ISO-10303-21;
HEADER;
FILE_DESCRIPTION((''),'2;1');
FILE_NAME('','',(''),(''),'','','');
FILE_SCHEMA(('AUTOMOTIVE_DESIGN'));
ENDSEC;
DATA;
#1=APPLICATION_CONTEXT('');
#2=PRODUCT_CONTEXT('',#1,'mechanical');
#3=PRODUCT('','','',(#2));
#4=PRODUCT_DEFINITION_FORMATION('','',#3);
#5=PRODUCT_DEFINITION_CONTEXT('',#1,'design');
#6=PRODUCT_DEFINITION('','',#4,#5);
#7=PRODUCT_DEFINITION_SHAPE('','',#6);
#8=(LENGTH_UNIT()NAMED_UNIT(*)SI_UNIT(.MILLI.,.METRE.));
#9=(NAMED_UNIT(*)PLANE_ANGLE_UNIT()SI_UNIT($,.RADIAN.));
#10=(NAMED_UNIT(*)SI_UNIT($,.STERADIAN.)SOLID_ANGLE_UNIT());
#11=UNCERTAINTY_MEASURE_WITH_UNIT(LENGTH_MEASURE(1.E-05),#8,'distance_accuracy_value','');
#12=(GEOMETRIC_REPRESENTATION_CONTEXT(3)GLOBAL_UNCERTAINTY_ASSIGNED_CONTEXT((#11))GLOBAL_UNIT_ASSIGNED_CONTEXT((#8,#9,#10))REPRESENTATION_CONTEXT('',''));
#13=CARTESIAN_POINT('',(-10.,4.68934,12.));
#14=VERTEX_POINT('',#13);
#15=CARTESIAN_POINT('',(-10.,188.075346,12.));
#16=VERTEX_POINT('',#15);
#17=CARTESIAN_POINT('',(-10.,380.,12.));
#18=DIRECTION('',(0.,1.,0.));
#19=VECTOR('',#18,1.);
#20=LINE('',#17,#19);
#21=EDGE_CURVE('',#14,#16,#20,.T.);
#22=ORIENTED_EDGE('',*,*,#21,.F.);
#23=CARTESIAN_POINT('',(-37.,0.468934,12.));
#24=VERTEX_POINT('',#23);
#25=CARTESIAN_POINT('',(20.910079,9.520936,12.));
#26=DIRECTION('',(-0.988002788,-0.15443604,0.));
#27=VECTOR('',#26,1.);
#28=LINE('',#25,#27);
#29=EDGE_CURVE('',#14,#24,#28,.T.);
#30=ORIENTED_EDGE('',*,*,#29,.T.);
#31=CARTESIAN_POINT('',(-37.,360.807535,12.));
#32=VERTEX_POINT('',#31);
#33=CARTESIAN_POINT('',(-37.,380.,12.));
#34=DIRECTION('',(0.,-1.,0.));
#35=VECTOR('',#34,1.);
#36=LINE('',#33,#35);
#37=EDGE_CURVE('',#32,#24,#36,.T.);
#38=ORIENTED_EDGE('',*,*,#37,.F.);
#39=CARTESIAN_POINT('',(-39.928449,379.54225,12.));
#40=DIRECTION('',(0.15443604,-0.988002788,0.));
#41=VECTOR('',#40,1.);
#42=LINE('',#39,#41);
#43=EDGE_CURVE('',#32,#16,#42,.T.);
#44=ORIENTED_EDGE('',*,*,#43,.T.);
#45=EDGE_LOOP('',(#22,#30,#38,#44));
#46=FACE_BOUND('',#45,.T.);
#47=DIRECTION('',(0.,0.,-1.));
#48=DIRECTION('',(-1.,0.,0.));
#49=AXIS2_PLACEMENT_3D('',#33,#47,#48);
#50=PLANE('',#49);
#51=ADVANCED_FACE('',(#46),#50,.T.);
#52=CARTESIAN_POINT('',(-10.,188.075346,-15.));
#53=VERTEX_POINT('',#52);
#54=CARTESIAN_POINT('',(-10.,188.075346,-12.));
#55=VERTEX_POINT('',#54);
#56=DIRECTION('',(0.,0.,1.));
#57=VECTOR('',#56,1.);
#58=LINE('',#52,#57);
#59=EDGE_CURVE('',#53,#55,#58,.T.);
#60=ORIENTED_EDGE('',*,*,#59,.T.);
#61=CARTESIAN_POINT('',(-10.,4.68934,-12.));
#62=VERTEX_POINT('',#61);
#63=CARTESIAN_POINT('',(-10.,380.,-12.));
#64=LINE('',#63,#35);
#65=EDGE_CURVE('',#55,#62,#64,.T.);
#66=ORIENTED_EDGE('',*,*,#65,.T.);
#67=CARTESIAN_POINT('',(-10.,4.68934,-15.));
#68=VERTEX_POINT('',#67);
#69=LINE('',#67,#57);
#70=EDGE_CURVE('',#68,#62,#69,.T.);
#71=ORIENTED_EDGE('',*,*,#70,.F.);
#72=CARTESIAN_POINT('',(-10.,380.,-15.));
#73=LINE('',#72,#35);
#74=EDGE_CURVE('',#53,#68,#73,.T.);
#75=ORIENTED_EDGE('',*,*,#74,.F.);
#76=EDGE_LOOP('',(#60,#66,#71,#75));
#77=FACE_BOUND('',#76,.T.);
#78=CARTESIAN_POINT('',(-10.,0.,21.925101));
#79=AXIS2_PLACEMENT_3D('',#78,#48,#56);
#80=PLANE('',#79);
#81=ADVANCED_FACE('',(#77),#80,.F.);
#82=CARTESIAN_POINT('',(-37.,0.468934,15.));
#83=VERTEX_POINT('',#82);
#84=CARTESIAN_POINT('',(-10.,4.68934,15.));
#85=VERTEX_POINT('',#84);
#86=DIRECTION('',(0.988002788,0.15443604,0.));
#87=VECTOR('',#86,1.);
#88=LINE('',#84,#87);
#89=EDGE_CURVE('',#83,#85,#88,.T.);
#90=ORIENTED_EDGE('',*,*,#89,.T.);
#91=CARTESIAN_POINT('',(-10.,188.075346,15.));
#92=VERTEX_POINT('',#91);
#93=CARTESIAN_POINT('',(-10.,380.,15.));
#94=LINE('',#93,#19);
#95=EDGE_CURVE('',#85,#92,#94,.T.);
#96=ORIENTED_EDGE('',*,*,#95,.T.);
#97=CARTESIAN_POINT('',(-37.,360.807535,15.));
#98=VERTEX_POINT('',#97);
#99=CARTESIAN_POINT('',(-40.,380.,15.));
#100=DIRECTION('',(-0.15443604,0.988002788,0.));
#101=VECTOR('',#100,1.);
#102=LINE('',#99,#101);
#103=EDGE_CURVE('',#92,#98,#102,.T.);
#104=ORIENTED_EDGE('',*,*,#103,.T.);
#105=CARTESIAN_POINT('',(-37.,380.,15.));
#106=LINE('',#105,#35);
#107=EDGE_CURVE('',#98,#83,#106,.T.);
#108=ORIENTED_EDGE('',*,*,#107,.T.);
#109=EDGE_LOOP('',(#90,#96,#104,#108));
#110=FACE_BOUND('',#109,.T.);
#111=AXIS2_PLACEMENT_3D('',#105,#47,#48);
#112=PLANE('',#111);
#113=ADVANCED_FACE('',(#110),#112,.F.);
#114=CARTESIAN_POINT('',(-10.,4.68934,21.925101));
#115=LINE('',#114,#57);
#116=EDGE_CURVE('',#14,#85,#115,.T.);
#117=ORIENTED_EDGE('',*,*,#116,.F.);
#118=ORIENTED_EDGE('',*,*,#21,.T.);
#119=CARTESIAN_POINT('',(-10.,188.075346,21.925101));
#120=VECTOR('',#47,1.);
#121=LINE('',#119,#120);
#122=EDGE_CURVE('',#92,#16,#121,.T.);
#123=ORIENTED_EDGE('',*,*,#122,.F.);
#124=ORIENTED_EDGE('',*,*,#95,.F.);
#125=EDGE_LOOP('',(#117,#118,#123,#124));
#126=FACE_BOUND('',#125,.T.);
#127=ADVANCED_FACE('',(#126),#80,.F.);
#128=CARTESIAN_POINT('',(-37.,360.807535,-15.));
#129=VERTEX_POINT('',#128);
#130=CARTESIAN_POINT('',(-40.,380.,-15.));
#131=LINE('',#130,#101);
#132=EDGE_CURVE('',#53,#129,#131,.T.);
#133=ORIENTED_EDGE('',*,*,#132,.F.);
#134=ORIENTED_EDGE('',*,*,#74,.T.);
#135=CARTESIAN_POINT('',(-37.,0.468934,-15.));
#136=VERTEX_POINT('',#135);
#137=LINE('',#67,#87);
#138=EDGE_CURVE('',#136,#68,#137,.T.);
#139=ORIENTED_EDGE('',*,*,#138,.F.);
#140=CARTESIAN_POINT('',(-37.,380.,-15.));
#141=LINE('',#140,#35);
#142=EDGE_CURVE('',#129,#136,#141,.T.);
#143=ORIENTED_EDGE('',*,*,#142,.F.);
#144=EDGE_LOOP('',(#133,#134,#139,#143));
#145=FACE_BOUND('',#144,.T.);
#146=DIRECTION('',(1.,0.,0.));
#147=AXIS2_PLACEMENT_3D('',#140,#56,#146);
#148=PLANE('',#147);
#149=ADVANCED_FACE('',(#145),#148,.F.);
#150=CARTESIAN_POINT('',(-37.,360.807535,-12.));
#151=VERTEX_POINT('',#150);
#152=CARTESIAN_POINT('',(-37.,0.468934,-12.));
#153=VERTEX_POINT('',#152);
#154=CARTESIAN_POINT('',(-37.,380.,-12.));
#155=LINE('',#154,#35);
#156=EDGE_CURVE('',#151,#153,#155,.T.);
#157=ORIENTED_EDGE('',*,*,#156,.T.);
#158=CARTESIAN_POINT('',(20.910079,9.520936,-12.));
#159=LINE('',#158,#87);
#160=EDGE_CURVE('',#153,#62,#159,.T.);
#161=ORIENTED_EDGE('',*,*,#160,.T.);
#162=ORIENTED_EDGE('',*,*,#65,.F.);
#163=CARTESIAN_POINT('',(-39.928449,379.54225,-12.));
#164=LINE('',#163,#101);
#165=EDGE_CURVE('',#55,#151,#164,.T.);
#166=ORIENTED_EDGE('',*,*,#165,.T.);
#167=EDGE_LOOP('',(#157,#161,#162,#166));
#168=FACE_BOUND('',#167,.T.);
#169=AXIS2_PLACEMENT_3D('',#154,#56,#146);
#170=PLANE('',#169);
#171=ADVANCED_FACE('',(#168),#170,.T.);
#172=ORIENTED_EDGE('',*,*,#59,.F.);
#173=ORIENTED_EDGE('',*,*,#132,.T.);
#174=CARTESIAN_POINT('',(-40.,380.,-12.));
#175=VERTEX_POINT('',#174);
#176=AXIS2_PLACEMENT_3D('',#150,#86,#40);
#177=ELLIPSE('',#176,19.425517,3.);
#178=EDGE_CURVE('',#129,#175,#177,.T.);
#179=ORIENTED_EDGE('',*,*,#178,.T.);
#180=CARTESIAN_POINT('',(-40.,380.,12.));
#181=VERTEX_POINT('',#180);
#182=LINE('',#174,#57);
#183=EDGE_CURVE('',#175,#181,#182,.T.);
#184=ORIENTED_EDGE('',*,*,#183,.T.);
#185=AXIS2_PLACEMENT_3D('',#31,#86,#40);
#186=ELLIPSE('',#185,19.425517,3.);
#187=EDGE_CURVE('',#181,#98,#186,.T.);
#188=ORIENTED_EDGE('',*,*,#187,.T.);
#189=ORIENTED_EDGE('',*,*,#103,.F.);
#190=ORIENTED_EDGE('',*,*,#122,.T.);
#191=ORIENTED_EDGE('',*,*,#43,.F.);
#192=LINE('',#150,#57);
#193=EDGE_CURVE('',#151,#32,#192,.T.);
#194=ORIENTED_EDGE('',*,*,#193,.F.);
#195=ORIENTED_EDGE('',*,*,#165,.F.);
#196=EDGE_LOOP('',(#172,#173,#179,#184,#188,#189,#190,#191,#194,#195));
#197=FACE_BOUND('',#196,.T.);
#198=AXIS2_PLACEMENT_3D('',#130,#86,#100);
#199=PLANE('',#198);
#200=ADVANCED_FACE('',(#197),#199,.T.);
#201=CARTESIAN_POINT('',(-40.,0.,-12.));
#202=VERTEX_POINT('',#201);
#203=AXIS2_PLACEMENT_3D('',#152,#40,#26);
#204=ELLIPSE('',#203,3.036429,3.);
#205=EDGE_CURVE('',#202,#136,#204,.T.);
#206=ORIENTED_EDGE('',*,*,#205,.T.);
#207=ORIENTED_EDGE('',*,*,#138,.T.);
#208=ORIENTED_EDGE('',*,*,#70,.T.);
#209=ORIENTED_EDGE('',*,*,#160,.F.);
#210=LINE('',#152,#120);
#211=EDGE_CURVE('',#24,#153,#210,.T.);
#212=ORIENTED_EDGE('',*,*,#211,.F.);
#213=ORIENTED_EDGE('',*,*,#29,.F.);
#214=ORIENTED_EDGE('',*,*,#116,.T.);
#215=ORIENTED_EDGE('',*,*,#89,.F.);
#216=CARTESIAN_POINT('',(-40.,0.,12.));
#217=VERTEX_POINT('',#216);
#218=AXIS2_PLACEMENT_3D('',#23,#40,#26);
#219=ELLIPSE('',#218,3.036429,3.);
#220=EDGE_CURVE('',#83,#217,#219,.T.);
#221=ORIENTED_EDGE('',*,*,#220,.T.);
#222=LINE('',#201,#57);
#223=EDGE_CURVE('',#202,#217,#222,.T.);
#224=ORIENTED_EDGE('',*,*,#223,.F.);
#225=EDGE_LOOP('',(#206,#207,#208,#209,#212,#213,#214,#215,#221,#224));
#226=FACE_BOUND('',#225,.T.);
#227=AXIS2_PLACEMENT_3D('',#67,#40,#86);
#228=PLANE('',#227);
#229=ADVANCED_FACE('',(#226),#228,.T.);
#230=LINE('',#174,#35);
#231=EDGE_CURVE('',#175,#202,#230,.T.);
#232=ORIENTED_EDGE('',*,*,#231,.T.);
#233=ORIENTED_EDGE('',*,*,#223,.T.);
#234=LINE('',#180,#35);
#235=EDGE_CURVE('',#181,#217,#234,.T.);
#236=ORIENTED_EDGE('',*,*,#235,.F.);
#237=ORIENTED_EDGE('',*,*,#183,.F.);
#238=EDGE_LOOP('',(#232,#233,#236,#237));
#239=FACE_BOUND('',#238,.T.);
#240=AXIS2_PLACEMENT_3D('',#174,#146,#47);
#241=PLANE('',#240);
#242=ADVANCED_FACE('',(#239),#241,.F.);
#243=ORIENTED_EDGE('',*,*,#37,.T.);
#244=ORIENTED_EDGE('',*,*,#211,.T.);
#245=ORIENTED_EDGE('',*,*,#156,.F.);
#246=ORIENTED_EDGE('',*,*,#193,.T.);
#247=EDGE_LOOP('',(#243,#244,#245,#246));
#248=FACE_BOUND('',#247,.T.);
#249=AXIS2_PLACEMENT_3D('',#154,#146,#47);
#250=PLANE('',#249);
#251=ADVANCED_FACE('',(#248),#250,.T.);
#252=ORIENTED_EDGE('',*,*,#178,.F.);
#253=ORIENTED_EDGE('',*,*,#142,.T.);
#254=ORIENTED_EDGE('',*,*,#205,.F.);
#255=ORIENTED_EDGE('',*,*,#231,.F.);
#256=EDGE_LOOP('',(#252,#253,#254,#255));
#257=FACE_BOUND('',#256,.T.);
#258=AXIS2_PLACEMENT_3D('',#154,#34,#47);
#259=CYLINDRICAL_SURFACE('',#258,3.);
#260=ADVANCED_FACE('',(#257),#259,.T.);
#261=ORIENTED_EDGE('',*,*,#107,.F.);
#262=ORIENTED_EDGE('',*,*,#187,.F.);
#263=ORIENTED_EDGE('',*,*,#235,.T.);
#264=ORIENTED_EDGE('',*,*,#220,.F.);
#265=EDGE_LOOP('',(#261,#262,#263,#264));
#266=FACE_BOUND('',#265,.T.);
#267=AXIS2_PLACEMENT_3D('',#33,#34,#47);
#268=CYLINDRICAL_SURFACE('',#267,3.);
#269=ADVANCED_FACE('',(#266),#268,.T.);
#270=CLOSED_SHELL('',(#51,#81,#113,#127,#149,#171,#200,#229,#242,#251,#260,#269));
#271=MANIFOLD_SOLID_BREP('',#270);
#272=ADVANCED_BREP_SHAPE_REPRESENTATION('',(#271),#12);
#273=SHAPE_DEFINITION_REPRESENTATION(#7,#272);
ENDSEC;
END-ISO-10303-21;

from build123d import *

# Parameters (mm, degrees)
SKETCH_1_W          = 74
SKETCH_1_H          = 24
EXTRUDE_1_DEPTH     = 380
SKETCH_2_W          = 51.146480438
SKETCH_2_H          = 42.897874587
CUT_EXTRUDE_1_DEPTH = 381
SKETCH_3_OUTSIDE_W  = 108.472
SKETCH_3_OUTSIDE_H  = 458.472
CUT_EXTRUDE_2_DEPTH = 31


with BuildPart() as part:
    # Эскиз1 → Вытянуть-Тонкостенный1 (new body)
    with BuildSketch(Plane(origin=(0, 0, 0), x_dir=(1, 0, 0), z_dir=(0, 1, 0))):
        with BuildLine():
            Line((40, 12), (40, -12))
            ThreePointArc((40, -12), (39.121320344, -14.121320344), (37, -15))
            Line((37, -15), (-37, -15))
            ThreePointArc((-37, -15), (-39.121320344, -14.121320344), (-40, -12))
            Line((-40, -12), (-40, 12))
            ThreePointArc((-40, 12), (-39.121320344, 14.121320344), (-37, 15))
            Line((-37, 15), (37, 15))
            ThreePointArc((37, 15), (39.121320344, 14.121320344), (40, 12))
        make_face()
        Rectangle(SKETCH_1_W, SKETCH_1_H, mode=Mode.SUBTRACT)
    extrude(amount=EXTRUDE_1_DEPTH)

    # Эскиз2 → Вырез-Вытянуть1 (cut, through all)
    with BuildSketch(Plane(origin=(0, 380, 0), x_dir=(1, 0, 0), z_dir=(0, 1, 0))):
        with Locations((15.573240219, -0.476163575)):
            Rectangle(SKETCH_2_W, SKETCH_2_H)
    extrude(amount=-CUT_EXTRUDE_1_DEPTH, mode=Mode.SUBTRACT)

    # Эскиз3 outside → Вырез-Вытянуть2 (cut, through all)
    with BuildSketch(Plane.XY.offset(15)):
        with Locations((-25, 190)):
            Rectangle(SKETCH_3_OUTSIDE_W, SKETCH_3_OUTSIDE_H)
        Polygon((-40, 380), (-10, 188.075345928), (-10, 4.689340222), (-40, 0), align=None, mode=Mode.SUBTRACT)
    extrude(amount=-CUT_EXTRUDE_2_DEPTH, mode=Mode.SUBTRACT)


solid = part.part
